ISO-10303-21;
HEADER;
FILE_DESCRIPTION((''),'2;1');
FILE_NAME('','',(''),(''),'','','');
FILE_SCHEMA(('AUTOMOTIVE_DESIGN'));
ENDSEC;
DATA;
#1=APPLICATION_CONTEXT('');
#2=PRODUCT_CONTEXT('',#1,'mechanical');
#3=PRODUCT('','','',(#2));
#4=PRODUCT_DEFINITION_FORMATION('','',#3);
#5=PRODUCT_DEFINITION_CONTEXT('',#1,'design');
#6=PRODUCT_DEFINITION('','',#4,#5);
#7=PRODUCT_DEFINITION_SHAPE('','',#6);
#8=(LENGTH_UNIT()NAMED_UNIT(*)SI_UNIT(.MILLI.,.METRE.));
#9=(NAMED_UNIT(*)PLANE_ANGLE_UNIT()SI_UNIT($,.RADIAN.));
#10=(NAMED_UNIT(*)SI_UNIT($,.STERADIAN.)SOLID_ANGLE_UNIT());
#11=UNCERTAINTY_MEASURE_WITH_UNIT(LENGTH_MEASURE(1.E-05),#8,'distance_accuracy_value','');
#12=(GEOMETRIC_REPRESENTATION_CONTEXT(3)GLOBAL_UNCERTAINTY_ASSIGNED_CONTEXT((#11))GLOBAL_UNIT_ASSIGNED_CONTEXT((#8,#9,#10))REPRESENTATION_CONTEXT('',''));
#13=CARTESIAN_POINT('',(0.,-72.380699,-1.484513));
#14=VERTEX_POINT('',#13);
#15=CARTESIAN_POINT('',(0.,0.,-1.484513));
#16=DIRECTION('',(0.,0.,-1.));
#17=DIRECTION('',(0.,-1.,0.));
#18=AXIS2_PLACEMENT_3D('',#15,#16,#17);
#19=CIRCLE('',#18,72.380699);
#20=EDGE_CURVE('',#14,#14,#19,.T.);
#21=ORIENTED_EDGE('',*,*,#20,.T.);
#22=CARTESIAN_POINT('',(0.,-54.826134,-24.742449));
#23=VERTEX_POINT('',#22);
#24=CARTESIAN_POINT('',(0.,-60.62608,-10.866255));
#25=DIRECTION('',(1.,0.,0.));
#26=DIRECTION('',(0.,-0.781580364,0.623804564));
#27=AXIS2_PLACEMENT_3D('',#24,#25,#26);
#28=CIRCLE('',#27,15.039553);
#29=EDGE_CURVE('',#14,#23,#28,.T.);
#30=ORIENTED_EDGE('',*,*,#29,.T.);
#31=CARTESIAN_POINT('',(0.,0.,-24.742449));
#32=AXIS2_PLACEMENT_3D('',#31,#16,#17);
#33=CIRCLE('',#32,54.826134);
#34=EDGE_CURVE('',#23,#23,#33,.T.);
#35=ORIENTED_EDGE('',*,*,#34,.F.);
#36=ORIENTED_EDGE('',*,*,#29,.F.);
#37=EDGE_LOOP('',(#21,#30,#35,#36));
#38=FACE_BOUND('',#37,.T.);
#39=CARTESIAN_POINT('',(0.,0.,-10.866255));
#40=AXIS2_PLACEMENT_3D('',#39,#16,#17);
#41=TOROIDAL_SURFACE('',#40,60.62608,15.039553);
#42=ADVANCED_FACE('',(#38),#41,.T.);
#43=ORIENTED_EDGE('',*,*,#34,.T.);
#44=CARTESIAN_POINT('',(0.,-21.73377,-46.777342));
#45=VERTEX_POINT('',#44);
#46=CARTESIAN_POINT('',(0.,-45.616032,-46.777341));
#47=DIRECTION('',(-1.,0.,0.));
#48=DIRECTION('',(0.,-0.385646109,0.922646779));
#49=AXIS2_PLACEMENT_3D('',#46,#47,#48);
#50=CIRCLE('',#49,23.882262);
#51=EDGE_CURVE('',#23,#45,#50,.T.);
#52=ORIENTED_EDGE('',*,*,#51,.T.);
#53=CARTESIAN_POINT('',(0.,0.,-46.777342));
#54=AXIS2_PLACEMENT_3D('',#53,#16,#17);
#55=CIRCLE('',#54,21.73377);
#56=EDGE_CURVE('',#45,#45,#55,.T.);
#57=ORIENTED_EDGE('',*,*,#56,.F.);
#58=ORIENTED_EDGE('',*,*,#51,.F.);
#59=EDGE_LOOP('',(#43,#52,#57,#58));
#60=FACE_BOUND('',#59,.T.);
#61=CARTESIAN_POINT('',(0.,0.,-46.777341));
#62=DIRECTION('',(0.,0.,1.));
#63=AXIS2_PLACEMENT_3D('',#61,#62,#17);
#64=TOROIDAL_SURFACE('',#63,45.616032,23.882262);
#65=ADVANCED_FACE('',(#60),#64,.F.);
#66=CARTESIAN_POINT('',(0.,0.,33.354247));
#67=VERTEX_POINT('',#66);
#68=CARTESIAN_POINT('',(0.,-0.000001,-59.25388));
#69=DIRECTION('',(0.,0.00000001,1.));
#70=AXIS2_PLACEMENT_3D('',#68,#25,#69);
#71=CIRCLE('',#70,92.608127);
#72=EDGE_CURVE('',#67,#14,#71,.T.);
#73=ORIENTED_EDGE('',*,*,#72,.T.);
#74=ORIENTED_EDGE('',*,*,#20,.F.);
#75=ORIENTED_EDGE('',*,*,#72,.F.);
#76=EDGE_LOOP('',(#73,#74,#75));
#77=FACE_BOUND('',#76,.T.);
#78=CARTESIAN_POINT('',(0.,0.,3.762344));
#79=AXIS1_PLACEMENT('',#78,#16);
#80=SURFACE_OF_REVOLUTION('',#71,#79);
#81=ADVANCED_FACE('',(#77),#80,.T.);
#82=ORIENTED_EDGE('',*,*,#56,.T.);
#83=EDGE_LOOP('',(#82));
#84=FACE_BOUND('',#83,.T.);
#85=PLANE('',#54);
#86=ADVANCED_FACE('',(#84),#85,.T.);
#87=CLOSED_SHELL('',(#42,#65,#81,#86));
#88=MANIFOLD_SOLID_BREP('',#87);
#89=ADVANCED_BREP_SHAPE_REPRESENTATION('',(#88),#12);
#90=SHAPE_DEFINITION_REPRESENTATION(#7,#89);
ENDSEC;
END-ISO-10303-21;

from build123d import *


with BuildPart() as f1:
    # F0 (on Right) → F1 (revolve)
    with BuildSketch(Plane.YZ):
        with BuildLine():
            Line((-21.73377, -46.777342), (0, -46.777342))
            Line((0, -46.777342), (0, 33.354247))
            ThreePointArc((0, 33.354247), (-40.164365, 24.191246), (-72.380699, -1.484513))
            ThreePointArc((-72.380699, -1.484513), (-72.630139, -19.926647), (-54.826134, -24.742449))
            ThreePointArc((-54.826134, -24.742449), (-32.379636, -26.898703), (-21.73377, -46.777342))
        make_face()
    revolve(axis=Axis((0, 0, 3.762344), (0, 0, -1)))


solid = f1.part
